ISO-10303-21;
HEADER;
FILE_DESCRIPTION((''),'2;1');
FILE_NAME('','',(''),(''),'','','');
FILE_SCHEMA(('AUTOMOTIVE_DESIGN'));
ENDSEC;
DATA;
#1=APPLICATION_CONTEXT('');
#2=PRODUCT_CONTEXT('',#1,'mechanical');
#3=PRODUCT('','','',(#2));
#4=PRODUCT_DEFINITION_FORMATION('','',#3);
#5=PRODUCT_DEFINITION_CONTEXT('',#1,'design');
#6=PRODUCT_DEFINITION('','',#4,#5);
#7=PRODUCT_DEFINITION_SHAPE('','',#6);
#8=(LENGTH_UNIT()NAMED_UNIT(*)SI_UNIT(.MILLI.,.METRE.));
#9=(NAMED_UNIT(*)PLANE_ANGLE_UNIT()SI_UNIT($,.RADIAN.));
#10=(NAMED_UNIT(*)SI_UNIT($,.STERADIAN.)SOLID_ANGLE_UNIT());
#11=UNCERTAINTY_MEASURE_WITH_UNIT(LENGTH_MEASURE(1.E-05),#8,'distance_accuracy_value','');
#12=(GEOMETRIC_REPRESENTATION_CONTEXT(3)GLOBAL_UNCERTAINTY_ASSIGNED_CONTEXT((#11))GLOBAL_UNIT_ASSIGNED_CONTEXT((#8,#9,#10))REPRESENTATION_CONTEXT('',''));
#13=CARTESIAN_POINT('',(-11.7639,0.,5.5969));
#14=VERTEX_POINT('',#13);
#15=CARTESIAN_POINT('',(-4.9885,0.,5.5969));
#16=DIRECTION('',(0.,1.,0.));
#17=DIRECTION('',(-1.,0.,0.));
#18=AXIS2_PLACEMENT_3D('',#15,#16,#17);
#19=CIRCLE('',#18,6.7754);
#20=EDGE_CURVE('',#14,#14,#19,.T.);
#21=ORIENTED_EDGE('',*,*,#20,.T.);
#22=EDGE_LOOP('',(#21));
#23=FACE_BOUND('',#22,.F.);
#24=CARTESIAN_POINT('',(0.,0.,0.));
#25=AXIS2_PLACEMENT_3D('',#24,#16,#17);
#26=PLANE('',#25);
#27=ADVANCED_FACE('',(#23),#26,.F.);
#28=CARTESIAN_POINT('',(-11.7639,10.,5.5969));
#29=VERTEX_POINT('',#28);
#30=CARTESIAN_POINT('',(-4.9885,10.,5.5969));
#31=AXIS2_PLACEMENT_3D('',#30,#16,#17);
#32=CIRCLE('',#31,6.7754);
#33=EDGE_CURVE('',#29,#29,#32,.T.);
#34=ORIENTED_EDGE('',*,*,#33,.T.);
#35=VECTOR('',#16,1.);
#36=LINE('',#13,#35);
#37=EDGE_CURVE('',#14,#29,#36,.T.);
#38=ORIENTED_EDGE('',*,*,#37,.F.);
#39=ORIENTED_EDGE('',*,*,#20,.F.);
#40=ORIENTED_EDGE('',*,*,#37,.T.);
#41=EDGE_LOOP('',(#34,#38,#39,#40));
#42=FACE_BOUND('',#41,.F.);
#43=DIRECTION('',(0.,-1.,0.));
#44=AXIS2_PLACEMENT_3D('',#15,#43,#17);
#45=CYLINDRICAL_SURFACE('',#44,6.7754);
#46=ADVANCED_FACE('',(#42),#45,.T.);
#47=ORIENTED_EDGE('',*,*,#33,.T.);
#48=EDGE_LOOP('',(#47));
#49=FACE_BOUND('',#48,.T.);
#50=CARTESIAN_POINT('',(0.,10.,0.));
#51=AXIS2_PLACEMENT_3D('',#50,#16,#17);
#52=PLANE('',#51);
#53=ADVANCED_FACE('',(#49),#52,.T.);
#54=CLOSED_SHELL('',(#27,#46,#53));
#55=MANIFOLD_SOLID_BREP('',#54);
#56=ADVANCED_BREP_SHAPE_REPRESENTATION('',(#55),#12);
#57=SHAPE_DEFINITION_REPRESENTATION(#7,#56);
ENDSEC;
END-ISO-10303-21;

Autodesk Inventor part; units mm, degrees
ref_plane "YZ Plane" through (0, 0, 0) normal (1, 0, 0) x (0, 1, 0)
ref_plane "XZ Plane" through (0, 0, 0) normal (0, 1, 0) x (-1, 0, 0)
ref_plane "XY Plane" through (0, 0, 0) normal (0, 0, 1) x (1, 0, 0)
sketch "スケッチ1" plane through (0, 0, 0) normal (0, 1, 0) x (-1, 0, 0)
  point P0 (0, 0)
sketch "スケッチ2" plane through (0, 0, 0) normal (0, 1, 0) x (-1, 0, 0)
  circle A0 centre (4.9885, 5.5969) radius 6.7754
  point P0 (0, 0)
extrude "押し出し1" add sketch "スケッチ2" along normal blind 10
equation "\"BendRadius\" = Thickness"
equation "\"BendReliefWidth\" = Thickness"
equation "\"BendReliefDepth\" = 0.5 * Thickness"
equation "\"CornerReliefSize\" = 4 * Thickness"
equation "\"MinimumRemnant\" = 2 * Thickness"
equation "\"TransitionRadius\" = BendRadius"
equation "\"JacobiRadiusSize\" = BendRadius"
equation "\"GapSize\" = Thickness"
equation "\"Thickness\" = 0.5"
